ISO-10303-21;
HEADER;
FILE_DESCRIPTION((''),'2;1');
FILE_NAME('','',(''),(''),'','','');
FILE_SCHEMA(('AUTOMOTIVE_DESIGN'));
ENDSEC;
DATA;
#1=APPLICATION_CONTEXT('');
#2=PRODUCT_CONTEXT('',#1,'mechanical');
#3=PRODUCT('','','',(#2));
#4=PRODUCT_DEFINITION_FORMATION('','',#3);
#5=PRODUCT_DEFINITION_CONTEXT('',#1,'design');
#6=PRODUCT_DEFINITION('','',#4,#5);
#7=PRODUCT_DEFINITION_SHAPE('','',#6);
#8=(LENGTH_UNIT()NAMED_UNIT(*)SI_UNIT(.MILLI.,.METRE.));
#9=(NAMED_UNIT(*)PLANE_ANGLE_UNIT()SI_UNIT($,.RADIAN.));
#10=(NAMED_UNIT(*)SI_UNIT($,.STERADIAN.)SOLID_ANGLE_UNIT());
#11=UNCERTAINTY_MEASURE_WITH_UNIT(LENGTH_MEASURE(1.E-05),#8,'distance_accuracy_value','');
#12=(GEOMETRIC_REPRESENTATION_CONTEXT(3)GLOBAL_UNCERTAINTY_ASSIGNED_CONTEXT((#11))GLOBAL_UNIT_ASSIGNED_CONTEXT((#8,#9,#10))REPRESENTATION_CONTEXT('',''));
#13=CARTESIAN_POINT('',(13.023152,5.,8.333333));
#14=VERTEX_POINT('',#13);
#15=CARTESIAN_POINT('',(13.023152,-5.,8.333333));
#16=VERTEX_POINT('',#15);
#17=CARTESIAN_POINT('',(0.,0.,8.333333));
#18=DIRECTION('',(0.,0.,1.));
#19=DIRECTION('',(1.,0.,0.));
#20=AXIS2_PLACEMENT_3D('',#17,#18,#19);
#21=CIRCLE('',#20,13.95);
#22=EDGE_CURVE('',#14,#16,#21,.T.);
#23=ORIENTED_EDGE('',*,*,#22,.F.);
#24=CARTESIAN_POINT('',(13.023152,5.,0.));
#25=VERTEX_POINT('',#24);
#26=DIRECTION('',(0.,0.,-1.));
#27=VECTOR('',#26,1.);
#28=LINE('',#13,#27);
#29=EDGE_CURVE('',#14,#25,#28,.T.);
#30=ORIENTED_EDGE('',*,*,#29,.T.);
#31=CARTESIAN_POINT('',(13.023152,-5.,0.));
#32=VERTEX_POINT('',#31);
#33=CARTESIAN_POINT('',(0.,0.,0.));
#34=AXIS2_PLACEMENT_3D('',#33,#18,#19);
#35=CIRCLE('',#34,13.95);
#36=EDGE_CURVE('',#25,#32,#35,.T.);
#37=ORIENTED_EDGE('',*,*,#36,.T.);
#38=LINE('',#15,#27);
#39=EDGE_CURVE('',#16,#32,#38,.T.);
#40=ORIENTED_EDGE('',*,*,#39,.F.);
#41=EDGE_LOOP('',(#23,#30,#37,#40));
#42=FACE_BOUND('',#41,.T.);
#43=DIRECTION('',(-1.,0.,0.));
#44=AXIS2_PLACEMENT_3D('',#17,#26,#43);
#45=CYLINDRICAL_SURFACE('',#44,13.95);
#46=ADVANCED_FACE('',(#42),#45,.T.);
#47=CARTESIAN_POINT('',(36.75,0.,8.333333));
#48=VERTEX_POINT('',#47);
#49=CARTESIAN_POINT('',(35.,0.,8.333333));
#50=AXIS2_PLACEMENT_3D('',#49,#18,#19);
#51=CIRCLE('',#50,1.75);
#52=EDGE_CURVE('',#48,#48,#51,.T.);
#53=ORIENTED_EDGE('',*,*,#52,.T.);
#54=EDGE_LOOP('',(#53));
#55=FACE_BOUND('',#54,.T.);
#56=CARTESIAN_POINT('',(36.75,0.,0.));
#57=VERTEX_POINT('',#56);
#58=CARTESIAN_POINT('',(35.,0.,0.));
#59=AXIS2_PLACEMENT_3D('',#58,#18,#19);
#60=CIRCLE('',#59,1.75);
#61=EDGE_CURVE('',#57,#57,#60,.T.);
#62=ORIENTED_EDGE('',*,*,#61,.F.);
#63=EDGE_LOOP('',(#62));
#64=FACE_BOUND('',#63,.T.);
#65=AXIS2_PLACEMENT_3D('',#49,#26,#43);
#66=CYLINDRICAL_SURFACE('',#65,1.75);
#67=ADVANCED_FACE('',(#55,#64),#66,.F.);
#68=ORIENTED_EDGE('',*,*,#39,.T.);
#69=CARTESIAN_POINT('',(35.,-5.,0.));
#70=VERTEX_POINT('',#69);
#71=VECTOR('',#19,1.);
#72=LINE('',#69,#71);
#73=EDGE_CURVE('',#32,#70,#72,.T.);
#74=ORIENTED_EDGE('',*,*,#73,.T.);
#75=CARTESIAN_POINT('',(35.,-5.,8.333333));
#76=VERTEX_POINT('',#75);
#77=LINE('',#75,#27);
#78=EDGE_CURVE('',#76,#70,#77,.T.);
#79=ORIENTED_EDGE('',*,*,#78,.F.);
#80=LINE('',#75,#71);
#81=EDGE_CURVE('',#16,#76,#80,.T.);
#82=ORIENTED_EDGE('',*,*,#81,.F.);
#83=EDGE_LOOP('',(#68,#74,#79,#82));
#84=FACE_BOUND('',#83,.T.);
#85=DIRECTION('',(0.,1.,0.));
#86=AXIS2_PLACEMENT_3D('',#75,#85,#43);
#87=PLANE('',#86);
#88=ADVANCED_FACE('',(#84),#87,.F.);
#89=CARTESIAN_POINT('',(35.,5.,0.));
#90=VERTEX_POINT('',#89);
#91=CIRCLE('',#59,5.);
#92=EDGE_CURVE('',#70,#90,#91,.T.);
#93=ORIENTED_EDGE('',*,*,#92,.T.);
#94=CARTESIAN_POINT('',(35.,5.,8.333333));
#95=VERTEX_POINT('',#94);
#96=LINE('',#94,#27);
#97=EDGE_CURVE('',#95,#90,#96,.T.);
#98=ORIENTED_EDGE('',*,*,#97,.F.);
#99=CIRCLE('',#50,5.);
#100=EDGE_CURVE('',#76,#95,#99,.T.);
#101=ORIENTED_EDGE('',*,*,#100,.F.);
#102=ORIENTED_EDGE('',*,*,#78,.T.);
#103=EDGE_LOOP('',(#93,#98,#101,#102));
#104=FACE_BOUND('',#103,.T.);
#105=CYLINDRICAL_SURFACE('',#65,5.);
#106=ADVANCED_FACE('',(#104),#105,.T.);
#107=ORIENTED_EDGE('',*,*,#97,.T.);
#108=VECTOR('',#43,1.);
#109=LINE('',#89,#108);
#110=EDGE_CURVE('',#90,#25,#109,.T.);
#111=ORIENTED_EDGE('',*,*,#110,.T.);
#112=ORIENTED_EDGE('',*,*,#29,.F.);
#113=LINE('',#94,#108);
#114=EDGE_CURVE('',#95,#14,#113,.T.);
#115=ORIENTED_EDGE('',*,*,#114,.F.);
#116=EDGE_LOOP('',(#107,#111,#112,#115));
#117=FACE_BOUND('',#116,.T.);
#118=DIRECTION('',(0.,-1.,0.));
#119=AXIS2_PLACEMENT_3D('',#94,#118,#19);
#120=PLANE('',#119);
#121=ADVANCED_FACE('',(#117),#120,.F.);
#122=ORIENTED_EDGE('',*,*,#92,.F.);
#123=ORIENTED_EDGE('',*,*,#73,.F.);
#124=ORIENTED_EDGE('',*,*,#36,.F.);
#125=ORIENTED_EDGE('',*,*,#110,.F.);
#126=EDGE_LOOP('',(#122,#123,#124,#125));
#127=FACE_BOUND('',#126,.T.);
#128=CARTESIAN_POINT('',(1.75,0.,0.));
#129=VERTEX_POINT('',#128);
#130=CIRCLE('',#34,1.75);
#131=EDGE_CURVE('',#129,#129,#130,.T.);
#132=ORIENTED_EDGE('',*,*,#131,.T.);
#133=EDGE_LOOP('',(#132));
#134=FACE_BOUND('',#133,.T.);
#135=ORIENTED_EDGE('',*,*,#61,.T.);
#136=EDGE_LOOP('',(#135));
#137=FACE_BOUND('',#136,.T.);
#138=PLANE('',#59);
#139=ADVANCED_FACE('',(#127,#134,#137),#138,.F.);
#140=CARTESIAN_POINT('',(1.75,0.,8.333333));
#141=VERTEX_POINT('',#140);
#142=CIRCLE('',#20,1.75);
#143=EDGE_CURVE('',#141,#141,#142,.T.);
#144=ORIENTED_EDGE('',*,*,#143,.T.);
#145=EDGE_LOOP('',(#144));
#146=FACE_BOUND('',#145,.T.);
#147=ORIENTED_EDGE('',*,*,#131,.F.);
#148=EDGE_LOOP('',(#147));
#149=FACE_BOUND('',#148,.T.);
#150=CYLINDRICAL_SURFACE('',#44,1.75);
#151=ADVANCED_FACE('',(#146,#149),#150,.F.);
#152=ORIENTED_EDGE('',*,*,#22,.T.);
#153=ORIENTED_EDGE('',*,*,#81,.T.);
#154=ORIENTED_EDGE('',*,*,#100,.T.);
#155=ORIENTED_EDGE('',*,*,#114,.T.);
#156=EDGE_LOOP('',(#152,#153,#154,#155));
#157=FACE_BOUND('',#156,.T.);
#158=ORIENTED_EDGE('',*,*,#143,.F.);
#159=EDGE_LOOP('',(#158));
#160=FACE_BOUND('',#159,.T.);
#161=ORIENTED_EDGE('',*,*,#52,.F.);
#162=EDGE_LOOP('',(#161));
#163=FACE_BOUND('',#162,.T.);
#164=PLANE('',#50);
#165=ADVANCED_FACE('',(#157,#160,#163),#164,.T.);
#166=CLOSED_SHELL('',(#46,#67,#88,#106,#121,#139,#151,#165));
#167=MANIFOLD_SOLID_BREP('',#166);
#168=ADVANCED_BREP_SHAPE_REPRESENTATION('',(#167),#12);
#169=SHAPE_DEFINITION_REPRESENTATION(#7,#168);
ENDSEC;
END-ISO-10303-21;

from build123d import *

# Parameters (mm, degrees)
SKETCH1_R           = 1.75
BOSS_EXTRUDE1_DEPTH = 8.333333333


with BuildPart() as part:
    # Sketch1 → Boss-Extrude1 (new body)
    with BuildSketch(Plane.XY):
        with BuildLine():
            Line((35, 5), (13.02315246, 5))
            ThreePointArc((13.02315246, 5), (-13.95, 0), (13.02315246, -5))
            Line((13.02315246, -5), (35, -5))
            ThreePointArc((35, -5), (40, 0), (35, 5))
        make_face()
        Circle(SKETCH1_R, mode=Mode.SUBTRACT)
        with Locations((35, 0)):
            Circle(SKETCH1_R, mode=Mode.SUBTRACT)
    extrude(amount=BOSS_EXTRUDE1_DEPTH)


solid = part.part
